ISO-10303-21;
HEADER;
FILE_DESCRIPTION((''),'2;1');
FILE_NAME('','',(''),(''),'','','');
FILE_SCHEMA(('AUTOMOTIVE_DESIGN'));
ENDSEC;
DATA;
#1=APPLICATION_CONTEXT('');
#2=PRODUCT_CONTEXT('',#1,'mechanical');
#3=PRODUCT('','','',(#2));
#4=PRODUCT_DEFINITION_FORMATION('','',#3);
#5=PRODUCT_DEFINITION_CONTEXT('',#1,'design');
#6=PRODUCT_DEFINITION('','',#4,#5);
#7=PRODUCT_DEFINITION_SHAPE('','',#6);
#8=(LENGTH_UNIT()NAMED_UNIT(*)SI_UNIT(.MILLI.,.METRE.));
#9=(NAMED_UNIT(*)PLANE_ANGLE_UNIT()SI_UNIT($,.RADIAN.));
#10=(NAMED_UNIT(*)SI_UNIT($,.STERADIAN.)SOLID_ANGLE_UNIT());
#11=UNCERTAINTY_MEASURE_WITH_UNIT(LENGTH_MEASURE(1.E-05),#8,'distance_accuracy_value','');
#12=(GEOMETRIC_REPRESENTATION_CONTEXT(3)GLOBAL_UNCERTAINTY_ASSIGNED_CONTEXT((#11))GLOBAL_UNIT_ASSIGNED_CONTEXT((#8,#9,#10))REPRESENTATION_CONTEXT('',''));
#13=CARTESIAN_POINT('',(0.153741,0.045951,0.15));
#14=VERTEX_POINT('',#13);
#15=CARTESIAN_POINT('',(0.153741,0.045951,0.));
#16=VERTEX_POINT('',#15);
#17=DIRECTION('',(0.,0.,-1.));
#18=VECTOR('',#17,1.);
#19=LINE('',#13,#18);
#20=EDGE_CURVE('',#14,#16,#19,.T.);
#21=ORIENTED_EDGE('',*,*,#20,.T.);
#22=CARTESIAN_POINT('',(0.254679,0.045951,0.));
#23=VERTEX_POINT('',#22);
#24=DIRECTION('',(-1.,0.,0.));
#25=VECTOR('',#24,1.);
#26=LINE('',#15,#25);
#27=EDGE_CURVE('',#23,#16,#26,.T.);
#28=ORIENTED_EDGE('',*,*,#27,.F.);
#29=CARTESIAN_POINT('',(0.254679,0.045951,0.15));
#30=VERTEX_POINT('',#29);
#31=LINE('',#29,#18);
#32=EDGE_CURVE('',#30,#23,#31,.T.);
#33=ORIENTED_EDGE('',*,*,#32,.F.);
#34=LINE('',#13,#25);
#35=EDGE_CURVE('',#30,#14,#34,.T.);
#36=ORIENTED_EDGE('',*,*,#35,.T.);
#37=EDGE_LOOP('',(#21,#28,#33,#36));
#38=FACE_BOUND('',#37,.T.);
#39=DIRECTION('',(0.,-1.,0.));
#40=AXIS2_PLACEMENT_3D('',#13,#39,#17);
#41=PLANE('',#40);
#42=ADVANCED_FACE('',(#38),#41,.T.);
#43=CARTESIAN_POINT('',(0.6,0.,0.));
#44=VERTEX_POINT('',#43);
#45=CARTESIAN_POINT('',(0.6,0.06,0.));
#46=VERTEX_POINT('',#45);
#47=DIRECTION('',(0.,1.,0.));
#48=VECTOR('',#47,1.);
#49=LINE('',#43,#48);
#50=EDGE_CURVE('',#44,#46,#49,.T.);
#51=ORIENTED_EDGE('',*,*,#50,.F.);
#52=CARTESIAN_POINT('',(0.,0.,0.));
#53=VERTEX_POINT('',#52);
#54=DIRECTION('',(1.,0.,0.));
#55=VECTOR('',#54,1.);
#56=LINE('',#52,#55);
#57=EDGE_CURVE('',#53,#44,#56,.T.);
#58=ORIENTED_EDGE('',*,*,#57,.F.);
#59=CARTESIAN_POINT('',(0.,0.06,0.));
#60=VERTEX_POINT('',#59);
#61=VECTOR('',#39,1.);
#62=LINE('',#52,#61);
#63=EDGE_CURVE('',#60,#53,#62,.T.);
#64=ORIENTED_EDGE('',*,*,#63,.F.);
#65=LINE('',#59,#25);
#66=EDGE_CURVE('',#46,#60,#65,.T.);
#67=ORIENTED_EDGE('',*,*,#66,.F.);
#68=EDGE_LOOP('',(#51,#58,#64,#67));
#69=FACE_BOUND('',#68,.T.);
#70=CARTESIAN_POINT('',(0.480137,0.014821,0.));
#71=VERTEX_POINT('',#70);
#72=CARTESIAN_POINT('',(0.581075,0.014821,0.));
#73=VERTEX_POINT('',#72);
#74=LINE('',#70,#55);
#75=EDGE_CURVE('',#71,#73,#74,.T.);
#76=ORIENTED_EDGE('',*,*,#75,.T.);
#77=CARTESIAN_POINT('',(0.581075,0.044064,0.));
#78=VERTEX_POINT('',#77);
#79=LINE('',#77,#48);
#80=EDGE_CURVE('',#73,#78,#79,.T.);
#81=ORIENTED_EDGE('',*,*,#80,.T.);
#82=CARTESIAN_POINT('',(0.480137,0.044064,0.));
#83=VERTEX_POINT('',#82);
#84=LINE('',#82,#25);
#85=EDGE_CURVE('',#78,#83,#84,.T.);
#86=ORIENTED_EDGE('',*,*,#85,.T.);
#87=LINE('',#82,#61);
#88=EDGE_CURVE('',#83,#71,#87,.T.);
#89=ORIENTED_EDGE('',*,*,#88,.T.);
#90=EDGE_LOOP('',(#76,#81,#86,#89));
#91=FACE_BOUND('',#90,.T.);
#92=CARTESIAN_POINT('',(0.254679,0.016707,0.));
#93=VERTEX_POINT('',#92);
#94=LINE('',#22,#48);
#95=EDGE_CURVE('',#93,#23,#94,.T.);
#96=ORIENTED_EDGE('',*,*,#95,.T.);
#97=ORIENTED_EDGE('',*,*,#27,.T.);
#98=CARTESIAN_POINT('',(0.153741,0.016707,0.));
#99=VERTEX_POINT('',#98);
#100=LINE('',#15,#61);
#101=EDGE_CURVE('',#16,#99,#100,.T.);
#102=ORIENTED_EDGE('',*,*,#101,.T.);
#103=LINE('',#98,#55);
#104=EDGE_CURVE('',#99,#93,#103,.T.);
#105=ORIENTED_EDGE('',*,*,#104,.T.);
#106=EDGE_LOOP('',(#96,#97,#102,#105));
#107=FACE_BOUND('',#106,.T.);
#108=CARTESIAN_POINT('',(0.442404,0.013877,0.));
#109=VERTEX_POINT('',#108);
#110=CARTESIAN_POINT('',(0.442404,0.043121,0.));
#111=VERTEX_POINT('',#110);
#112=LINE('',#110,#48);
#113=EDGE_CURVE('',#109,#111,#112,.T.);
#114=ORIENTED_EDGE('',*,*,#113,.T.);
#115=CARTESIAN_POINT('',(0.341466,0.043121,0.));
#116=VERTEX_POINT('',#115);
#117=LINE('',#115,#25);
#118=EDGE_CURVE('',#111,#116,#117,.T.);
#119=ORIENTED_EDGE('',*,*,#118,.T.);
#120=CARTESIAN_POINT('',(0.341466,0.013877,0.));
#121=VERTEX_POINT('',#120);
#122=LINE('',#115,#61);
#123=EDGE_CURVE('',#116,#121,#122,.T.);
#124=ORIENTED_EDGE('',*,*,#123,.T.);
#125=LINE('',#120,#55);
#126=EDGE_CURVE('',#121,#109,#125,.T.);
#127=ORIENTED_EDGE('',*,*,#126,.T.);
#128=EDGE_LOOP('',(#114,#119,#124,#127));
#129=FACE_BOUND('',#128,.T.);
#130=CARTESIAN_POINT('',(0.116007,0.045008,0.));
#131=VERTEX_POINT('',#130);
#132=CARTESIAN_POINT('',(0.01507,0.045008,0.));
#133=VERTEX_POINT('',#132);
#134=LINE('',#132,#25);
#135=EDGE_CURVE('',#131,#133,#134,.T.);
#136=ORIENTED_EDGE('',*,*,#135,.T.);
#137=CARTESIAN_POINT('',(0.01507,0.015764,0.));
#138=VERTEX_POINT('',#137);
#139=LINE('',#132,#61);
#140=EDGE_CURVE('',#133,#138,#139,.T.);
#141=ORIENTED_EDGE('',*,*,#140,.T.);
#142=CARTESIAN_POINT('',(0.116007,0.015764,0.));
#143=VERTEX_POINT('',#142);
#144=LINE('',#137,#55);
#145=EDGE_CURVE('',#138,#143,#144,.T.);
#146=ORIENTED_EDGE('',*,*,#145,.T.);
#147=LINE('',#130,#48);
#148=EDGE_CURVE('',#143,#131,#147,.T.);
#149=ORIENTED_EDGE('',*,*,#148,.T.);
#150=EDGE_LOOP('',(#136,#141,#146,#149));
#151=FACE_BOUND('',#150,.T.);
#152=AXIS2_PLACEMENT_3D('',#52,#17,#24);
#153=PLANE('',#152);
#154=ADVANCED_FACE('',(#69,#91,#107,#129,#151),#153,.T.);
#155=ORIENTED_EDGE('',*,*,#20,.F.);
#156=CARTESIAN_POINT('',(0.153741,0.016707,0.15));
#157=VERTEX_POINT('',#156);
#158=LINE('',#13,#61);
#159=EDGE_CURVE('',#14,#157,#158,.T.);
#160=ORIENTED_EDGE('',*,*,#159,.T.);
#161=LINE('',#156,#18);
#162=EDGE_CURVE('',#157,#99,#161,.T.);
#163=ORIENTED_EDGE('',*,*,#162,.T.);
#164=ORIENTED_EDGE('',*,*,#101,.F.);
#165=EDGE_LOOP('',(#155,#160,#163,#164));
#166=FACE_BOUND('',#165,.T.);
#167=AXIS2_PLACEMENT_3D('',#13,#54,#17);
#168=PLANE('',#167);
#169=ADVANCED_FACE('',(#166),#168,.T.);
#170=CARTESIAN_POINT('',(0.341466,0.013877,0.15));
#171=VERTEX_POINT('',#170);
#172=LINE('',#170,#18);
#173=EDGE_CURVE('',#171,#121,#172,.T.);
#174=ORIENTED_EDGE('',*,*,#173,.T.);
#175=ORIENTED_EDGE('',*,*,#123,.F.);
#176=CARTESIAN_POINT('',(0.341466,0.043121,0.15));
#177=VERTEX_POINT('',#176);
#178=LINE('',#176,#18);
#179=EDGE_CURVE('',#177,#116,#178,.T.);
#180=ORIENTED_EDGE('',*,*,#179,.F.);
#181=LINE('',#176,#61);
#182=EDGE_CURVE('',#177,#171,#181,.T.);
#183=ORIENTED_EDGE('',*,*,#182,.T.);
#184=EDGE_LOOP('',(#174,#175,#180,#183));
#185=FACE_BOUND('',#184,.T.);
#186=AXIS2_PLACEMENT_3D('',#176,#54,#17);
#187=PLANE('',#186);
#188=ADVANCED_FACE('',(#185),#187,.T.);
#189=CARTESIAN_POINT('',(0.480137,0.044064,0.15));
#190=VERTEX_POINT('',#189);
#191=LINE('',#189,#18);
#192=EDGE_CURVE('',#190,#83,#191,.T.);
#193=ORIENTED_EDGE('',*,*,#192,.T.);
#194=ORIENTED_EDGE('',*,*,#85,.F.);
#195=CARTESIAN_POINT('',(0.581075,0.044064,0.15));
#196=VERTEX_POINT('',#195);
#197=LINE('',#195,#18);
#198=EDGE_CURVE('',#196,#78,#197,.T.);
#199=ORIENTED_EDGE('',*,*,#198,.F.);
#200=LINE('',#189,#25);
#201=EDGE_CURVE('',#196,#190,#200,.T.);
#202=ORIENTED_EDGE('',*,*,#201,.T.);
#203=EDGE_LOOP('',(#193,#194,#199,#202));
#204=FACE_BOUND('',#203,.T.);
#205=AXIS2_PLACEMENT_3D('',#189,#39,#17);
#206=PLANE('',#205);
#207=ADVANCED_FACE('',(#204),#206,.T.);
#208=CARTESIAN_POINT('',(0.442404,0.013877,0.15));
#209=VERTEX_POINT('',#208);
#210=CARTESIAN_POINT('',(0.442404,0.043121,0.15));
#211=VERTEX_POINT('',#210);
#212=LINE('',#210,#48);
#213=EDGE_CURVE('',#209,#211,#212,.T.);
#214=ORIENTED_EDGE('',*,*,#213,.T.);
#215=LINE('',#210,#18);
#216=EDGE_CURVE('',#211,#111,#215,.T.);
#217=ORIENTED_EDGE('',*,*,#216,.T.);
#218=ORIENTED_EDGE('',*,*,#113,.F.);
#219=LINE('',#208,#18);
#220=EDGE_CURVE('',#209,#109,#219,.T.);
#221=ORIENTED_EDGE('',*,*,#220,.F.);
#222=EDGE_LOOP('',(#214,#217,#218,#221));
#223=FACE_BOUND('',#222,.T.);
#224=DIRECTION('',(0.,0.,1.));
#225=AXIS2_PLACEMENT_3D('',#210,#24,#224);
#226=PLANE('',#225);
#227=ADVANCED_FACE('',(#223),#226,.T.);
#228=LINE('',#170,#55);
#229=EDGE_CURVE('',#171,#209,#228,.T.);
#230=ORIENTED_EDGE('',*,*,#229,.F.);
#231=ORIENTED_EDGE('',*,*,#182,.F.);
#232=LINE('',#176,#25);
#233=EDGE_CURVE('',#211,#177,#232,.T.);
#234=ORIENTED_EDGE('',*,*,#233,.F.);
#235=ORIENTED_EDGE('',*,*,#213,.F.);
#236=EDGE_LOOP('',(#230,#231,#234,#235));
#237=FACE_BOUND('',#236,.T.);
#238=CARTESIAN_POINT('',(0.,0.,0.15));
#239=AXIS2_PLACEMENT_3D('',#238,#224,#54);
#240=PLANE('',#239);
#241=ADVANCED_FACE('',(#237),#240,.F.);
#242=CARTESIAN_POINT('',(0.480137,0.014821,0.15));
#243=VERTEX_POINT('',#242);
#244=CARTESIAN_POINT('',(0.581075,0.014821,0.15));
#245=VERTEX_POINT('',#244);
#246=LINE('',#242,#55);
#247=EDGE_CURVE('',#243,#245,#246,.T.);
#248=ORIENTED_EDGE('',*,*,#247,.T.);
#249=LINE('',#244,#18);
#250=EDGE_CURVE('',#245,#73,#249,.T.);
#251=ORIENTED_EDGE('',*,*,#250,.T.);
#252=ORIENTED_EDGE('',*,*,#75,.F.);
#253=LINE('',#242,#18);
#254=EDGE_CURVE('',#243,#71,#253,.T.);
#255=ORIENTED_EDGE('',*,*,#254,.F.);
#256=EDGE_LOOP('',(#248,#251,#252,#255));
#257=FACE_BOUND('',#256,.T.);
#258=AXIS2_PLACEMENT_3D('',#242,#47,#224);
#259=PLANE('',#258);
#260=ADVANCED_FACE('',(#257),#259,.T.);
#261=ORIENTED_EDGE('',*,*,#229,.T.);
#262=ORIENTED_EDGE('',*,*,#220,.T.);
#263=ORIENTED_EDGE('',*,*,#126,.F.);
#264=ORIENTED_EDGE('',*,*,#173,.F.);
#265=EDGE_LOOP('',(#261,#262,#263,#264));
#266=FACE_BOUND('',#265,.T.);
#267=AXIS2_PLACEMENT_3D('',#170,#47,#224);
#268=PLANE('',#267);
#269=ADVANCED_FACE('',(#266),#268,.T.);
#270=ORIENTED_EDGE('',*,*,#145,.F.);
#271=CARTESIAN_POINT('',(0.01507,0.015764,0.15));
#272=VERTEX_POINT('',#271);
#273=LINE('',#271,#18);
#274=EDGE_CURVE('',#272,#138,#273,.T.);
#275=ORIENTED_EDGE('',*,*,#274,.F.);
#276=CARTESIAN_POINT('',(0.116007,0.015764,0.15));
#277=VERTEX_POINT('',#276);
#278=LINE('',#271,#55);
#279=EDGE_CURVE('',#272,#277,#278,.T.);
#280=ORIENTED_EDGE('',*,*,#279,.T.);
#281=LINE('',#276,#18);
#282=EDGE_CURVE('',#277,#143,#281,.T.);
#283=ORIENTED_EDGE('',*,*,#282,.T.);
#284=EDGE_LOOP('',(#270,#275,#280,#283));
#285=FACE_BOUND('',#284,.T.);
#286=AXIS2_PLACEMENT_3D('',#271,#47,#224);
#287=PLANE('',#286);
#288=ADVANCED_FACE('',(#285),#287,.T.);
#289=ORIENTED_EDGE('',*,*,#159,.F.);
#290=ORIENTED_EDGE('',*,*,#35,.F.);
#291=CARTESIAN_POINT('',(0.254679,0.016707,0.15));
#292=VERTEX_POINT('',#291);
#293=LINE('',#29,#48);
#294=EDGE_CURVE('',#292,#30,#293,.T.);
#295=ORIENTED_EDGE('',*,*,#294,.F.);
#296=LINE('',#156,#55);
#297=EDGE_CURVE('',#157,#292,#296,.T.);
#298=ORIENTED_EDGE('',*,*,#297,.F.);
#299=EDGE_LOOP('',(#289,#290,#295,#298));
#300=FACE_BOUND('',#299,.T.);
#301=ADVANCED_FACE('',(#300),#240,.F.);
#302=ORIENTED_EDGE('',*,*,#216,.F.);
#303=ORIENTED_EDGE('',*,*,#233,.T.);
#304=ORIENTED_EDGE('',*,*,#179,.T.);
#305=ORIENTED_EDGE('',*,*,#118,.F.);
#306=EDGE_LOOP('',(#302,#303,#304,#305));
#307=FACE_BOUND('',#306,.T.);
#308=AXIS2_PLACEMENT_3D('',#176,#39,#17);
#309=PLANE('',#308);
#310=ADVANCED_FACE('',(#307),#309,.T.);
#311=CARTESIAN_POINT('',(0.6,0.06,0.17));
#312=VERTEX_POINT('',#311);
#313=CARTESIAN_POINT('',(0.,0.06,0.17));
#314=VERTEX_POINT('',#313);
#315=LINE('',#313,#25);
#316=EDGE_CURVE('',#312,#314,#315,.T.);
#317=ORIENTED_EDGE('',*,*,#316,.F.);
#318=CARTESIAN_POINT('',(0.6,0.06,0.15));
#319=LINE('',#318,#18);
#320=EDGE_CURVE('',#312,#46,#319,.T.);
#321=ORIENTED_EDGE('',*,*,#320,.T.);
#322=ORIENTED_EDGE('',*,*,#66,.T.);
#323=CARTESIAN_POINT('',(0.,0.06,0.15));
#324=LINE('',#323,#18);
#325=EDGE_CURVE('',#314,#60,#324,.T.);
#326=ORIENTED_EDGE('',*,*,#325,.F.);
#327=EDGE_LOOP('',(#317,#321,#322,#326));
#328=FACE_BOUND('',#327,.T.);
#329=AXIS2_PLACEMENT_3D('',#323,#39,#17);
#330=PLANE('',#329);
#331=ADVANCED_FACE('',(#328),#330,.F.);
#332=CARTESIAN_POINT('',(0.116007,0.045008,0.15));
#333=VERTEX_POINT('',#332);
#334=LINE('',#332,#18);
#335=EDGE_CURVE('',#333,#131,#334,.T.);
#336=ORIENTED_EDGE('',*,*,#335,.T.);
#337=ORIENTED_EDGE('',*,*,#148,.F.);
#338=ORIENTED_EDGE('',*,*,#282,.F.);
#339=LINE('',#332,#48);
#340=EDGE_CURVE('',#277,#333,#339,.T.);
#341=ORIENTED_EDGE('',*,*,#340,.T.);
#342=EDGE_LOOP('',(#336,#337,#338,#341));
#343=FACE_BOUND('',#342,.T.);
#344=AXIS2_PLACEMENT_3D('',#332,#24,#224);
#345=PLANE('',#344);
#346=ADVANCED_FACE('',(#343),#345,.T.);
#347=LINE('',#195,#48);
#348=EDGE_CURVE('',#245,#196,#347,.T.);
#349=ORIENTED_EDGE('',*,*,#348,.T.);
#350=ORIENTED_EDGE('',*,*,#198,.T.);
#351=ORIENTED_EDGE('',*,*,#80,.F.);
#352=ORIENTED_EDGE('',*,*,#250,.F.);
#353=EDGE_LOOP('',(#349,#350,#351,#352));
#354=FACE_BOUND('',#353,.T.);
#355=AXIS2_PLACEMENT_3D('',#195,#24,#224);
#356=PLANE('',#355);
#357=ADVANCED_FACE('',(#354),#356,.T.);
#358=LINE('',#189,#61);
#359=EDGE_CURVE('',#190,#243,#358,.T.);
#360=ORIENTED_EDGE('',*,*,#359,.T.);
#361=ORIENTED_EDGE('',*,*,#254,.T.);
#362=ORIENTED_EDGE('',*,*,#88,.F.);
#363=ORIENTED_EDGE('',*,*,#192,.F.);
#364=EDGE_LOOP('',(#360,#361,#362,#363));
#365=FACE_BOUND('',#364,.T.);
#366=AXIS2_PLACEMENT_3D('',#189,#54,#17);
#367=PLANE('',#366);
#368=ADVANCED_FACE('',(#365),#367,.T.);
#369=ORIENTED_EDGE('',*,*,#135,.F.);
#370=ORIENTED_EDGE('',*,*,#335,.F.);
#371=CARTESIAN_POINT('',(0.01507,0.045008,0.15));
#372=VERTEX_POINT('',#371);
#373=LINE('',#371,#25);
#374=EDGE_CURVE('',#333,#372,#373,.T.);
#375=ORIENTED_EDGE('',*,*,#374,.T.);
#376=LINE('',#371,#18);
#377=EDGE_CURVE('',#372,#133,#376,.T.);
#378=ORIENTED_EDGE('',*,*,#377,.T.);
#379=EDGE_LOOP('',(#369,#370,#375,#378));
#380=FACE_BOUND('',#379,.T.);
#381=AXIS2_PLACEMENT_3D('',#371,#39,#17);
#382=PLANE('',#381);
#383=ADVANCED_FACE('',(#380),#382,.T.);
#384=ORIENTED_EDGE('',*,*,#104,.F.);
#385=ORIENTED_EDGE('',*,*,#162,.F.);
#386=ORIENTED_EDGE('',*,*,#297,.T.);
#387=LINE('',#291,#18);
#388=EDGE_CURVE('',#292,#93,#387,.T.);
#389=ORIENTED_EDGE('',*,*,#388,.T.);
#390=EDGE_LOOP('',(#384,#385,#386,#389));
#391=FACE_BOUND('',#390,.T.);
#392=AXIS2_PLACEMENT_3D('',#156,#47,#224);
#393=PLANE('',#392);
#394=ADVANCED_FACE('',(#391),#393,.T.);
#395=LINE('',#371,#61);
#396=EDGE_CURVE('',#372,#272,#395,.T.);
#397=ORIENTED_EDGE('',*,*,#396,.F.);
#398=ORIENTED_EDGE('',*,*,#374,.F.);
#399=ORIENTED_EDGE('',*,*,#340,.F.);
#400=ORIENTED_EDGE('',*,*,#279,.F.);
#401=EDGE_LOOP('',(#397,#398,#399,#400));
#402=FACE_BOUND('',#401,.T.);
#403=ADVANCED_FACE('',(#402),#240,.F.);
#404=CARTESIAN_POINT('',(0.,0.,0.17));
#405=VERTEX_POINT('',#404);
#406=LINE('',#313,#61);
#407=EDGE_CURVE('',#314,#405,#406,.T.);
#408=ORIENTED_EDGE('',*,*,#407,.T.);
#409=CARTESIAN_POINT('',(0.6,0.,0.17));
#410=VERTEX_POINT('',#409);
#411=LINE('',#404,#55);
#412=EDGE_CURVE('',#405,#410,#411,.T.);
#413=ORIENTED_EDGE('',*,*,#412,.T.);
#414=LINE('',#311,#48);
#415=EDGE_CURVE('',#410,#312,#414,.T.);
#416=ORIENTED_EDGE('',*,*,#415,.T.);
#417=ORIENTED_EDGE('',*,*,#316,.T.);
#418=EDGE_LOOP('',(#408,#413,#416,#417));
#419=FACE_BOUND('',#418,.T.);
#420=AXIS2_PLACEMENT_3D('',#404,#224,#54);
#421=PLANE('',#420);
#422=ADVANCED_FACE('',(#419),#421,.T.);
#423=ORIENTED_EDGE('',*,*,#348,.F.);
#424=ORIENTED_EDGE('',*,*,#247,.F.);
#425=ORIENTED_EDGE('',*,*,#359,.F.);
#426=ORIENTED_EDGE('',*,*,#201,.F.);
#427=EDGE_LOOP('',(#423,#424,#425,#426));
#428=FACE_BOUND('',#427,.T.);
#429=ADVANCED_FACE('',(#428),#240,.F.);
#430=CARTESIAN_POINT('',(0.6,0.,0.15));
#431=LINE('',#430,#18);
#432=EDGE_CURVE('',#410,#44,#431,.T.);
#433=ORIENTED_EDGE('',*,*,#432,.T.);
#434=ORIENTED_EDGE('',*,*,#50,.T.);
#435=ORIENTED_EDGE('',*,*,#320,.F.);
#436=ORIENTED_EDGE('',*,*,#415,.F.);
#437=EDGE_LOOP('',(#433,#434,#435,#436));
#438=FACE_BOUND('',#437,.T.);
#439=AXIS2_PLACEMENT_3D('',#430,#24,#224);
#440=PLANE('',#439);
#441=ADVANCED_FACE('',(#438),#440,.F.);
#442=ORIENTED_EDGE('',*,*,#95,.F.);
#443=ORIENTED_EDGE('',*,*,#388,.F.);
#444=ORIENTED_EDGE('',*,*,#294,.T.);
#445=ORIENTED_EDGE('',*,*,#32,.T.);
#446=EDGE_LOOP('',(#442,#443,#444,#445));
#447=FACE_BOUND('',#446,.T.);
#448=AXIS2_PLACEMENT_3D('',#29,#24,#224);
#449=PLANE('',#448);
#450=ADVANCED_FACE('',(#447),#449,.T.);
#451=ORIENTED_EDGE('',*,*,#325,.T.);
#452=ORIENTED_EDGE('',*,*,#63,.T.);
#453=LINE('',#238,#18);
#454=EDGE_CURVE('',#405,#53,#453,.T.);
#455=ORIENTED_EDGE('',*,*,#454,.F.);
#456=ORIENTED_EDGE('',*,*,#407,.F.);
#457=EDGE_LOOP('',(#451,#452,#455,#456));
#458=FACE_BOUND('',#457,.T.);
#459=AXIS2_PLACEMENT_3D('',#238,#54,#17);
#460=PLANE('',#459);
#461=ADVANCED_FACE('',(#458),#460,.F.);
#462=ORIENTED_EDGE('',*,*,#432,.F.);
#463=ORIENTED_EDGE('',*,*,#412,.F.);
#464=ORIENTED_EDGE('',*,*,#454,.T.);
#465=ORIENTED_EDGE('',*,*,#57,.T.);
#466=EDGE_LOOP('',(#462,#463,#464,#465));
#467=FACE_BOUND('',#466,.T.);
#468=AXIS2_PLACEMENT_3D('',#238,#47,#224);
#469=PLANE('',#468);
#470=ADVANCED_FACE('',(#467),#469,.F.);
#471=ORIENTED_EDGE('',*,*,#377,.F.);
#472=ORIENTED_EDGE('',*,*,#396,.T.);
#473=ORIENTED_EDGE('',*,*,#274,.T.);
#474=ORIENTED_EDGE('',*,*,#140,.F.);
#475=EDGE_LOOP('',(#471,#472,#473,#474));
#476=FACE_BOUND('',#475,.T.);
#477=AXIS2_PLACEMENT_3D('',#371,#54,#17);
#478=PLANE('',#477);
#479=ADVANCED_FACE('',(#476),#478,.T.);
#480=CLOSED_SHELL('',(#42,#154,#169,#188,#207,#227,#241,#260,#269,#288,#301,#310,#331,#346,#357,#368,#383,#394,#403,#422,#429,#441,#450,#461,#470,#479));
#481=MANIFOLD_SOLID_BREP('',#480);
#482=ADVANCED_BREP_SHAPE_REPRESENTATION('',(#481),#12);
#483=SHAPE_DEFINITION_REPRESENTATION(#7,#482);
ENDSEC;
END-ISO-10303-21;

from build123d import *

# Parameters (mm, degrees)
SKETCH1_W           = 0.6
SKETCH1_H           = 0.06
SKETCH1_W_2         = 0.100937657
SKETCH1_H_2         = 0.029243621
SKETCH1_H_3         = 0.02924362
BOSS_EXTRUDE1_DEPTH = 0.15
SKETCH2_W           = 0.6
SKETCH2_H           = 0.06
BOSS_EXTRUDE2_DEPTH = 0.02


with BuildPart() as part:
    # Sketch1 → Boss-Extrude1 (new body)
    with BuildSketch(Plane.XY):
        with Locations((0.3, 0.03)):
            Rectangle(SKETCH1_W, SKETCH1_H)
        with Locations((0.204209788, 0.03132928)):
            Rectangle(SKETCH1_W_2, SKETCH1_H_2, mode=Mode.SUBTRACT)
        with Locations((0.065538428, 0.030385937)):
            Rectangle(SKETCH1_W_2, SKETCH1_H_3, mode=Mode.SUBTRACT)
        with Locations((0.530606325, 0.029442595)):
            Rectangle(SKETCH1_W_2, SKETCH1_H_2, mode=Mode.SUBTRACT)
        with Locations((0.391934965, 0.028499252)):
            Rectangle(SKETCH1_W_2, SKETCH1_H_3, mode=Mode.SUBTRACT)
    extrude(amount=BOSS_EXTRUDE1_DEPTH)

    # Sketch2 → Boss-Extrude2 (add)
    with BuildSketch(Plane.XY.offset(0.15)):
        with Locations((0.3, 0.03)):
            Rectangle(SKETCH2_W, SKETCH2_H)
    extrude(amount=BOSS_EXTRUDE2_DEPTH)


solid = part.part
